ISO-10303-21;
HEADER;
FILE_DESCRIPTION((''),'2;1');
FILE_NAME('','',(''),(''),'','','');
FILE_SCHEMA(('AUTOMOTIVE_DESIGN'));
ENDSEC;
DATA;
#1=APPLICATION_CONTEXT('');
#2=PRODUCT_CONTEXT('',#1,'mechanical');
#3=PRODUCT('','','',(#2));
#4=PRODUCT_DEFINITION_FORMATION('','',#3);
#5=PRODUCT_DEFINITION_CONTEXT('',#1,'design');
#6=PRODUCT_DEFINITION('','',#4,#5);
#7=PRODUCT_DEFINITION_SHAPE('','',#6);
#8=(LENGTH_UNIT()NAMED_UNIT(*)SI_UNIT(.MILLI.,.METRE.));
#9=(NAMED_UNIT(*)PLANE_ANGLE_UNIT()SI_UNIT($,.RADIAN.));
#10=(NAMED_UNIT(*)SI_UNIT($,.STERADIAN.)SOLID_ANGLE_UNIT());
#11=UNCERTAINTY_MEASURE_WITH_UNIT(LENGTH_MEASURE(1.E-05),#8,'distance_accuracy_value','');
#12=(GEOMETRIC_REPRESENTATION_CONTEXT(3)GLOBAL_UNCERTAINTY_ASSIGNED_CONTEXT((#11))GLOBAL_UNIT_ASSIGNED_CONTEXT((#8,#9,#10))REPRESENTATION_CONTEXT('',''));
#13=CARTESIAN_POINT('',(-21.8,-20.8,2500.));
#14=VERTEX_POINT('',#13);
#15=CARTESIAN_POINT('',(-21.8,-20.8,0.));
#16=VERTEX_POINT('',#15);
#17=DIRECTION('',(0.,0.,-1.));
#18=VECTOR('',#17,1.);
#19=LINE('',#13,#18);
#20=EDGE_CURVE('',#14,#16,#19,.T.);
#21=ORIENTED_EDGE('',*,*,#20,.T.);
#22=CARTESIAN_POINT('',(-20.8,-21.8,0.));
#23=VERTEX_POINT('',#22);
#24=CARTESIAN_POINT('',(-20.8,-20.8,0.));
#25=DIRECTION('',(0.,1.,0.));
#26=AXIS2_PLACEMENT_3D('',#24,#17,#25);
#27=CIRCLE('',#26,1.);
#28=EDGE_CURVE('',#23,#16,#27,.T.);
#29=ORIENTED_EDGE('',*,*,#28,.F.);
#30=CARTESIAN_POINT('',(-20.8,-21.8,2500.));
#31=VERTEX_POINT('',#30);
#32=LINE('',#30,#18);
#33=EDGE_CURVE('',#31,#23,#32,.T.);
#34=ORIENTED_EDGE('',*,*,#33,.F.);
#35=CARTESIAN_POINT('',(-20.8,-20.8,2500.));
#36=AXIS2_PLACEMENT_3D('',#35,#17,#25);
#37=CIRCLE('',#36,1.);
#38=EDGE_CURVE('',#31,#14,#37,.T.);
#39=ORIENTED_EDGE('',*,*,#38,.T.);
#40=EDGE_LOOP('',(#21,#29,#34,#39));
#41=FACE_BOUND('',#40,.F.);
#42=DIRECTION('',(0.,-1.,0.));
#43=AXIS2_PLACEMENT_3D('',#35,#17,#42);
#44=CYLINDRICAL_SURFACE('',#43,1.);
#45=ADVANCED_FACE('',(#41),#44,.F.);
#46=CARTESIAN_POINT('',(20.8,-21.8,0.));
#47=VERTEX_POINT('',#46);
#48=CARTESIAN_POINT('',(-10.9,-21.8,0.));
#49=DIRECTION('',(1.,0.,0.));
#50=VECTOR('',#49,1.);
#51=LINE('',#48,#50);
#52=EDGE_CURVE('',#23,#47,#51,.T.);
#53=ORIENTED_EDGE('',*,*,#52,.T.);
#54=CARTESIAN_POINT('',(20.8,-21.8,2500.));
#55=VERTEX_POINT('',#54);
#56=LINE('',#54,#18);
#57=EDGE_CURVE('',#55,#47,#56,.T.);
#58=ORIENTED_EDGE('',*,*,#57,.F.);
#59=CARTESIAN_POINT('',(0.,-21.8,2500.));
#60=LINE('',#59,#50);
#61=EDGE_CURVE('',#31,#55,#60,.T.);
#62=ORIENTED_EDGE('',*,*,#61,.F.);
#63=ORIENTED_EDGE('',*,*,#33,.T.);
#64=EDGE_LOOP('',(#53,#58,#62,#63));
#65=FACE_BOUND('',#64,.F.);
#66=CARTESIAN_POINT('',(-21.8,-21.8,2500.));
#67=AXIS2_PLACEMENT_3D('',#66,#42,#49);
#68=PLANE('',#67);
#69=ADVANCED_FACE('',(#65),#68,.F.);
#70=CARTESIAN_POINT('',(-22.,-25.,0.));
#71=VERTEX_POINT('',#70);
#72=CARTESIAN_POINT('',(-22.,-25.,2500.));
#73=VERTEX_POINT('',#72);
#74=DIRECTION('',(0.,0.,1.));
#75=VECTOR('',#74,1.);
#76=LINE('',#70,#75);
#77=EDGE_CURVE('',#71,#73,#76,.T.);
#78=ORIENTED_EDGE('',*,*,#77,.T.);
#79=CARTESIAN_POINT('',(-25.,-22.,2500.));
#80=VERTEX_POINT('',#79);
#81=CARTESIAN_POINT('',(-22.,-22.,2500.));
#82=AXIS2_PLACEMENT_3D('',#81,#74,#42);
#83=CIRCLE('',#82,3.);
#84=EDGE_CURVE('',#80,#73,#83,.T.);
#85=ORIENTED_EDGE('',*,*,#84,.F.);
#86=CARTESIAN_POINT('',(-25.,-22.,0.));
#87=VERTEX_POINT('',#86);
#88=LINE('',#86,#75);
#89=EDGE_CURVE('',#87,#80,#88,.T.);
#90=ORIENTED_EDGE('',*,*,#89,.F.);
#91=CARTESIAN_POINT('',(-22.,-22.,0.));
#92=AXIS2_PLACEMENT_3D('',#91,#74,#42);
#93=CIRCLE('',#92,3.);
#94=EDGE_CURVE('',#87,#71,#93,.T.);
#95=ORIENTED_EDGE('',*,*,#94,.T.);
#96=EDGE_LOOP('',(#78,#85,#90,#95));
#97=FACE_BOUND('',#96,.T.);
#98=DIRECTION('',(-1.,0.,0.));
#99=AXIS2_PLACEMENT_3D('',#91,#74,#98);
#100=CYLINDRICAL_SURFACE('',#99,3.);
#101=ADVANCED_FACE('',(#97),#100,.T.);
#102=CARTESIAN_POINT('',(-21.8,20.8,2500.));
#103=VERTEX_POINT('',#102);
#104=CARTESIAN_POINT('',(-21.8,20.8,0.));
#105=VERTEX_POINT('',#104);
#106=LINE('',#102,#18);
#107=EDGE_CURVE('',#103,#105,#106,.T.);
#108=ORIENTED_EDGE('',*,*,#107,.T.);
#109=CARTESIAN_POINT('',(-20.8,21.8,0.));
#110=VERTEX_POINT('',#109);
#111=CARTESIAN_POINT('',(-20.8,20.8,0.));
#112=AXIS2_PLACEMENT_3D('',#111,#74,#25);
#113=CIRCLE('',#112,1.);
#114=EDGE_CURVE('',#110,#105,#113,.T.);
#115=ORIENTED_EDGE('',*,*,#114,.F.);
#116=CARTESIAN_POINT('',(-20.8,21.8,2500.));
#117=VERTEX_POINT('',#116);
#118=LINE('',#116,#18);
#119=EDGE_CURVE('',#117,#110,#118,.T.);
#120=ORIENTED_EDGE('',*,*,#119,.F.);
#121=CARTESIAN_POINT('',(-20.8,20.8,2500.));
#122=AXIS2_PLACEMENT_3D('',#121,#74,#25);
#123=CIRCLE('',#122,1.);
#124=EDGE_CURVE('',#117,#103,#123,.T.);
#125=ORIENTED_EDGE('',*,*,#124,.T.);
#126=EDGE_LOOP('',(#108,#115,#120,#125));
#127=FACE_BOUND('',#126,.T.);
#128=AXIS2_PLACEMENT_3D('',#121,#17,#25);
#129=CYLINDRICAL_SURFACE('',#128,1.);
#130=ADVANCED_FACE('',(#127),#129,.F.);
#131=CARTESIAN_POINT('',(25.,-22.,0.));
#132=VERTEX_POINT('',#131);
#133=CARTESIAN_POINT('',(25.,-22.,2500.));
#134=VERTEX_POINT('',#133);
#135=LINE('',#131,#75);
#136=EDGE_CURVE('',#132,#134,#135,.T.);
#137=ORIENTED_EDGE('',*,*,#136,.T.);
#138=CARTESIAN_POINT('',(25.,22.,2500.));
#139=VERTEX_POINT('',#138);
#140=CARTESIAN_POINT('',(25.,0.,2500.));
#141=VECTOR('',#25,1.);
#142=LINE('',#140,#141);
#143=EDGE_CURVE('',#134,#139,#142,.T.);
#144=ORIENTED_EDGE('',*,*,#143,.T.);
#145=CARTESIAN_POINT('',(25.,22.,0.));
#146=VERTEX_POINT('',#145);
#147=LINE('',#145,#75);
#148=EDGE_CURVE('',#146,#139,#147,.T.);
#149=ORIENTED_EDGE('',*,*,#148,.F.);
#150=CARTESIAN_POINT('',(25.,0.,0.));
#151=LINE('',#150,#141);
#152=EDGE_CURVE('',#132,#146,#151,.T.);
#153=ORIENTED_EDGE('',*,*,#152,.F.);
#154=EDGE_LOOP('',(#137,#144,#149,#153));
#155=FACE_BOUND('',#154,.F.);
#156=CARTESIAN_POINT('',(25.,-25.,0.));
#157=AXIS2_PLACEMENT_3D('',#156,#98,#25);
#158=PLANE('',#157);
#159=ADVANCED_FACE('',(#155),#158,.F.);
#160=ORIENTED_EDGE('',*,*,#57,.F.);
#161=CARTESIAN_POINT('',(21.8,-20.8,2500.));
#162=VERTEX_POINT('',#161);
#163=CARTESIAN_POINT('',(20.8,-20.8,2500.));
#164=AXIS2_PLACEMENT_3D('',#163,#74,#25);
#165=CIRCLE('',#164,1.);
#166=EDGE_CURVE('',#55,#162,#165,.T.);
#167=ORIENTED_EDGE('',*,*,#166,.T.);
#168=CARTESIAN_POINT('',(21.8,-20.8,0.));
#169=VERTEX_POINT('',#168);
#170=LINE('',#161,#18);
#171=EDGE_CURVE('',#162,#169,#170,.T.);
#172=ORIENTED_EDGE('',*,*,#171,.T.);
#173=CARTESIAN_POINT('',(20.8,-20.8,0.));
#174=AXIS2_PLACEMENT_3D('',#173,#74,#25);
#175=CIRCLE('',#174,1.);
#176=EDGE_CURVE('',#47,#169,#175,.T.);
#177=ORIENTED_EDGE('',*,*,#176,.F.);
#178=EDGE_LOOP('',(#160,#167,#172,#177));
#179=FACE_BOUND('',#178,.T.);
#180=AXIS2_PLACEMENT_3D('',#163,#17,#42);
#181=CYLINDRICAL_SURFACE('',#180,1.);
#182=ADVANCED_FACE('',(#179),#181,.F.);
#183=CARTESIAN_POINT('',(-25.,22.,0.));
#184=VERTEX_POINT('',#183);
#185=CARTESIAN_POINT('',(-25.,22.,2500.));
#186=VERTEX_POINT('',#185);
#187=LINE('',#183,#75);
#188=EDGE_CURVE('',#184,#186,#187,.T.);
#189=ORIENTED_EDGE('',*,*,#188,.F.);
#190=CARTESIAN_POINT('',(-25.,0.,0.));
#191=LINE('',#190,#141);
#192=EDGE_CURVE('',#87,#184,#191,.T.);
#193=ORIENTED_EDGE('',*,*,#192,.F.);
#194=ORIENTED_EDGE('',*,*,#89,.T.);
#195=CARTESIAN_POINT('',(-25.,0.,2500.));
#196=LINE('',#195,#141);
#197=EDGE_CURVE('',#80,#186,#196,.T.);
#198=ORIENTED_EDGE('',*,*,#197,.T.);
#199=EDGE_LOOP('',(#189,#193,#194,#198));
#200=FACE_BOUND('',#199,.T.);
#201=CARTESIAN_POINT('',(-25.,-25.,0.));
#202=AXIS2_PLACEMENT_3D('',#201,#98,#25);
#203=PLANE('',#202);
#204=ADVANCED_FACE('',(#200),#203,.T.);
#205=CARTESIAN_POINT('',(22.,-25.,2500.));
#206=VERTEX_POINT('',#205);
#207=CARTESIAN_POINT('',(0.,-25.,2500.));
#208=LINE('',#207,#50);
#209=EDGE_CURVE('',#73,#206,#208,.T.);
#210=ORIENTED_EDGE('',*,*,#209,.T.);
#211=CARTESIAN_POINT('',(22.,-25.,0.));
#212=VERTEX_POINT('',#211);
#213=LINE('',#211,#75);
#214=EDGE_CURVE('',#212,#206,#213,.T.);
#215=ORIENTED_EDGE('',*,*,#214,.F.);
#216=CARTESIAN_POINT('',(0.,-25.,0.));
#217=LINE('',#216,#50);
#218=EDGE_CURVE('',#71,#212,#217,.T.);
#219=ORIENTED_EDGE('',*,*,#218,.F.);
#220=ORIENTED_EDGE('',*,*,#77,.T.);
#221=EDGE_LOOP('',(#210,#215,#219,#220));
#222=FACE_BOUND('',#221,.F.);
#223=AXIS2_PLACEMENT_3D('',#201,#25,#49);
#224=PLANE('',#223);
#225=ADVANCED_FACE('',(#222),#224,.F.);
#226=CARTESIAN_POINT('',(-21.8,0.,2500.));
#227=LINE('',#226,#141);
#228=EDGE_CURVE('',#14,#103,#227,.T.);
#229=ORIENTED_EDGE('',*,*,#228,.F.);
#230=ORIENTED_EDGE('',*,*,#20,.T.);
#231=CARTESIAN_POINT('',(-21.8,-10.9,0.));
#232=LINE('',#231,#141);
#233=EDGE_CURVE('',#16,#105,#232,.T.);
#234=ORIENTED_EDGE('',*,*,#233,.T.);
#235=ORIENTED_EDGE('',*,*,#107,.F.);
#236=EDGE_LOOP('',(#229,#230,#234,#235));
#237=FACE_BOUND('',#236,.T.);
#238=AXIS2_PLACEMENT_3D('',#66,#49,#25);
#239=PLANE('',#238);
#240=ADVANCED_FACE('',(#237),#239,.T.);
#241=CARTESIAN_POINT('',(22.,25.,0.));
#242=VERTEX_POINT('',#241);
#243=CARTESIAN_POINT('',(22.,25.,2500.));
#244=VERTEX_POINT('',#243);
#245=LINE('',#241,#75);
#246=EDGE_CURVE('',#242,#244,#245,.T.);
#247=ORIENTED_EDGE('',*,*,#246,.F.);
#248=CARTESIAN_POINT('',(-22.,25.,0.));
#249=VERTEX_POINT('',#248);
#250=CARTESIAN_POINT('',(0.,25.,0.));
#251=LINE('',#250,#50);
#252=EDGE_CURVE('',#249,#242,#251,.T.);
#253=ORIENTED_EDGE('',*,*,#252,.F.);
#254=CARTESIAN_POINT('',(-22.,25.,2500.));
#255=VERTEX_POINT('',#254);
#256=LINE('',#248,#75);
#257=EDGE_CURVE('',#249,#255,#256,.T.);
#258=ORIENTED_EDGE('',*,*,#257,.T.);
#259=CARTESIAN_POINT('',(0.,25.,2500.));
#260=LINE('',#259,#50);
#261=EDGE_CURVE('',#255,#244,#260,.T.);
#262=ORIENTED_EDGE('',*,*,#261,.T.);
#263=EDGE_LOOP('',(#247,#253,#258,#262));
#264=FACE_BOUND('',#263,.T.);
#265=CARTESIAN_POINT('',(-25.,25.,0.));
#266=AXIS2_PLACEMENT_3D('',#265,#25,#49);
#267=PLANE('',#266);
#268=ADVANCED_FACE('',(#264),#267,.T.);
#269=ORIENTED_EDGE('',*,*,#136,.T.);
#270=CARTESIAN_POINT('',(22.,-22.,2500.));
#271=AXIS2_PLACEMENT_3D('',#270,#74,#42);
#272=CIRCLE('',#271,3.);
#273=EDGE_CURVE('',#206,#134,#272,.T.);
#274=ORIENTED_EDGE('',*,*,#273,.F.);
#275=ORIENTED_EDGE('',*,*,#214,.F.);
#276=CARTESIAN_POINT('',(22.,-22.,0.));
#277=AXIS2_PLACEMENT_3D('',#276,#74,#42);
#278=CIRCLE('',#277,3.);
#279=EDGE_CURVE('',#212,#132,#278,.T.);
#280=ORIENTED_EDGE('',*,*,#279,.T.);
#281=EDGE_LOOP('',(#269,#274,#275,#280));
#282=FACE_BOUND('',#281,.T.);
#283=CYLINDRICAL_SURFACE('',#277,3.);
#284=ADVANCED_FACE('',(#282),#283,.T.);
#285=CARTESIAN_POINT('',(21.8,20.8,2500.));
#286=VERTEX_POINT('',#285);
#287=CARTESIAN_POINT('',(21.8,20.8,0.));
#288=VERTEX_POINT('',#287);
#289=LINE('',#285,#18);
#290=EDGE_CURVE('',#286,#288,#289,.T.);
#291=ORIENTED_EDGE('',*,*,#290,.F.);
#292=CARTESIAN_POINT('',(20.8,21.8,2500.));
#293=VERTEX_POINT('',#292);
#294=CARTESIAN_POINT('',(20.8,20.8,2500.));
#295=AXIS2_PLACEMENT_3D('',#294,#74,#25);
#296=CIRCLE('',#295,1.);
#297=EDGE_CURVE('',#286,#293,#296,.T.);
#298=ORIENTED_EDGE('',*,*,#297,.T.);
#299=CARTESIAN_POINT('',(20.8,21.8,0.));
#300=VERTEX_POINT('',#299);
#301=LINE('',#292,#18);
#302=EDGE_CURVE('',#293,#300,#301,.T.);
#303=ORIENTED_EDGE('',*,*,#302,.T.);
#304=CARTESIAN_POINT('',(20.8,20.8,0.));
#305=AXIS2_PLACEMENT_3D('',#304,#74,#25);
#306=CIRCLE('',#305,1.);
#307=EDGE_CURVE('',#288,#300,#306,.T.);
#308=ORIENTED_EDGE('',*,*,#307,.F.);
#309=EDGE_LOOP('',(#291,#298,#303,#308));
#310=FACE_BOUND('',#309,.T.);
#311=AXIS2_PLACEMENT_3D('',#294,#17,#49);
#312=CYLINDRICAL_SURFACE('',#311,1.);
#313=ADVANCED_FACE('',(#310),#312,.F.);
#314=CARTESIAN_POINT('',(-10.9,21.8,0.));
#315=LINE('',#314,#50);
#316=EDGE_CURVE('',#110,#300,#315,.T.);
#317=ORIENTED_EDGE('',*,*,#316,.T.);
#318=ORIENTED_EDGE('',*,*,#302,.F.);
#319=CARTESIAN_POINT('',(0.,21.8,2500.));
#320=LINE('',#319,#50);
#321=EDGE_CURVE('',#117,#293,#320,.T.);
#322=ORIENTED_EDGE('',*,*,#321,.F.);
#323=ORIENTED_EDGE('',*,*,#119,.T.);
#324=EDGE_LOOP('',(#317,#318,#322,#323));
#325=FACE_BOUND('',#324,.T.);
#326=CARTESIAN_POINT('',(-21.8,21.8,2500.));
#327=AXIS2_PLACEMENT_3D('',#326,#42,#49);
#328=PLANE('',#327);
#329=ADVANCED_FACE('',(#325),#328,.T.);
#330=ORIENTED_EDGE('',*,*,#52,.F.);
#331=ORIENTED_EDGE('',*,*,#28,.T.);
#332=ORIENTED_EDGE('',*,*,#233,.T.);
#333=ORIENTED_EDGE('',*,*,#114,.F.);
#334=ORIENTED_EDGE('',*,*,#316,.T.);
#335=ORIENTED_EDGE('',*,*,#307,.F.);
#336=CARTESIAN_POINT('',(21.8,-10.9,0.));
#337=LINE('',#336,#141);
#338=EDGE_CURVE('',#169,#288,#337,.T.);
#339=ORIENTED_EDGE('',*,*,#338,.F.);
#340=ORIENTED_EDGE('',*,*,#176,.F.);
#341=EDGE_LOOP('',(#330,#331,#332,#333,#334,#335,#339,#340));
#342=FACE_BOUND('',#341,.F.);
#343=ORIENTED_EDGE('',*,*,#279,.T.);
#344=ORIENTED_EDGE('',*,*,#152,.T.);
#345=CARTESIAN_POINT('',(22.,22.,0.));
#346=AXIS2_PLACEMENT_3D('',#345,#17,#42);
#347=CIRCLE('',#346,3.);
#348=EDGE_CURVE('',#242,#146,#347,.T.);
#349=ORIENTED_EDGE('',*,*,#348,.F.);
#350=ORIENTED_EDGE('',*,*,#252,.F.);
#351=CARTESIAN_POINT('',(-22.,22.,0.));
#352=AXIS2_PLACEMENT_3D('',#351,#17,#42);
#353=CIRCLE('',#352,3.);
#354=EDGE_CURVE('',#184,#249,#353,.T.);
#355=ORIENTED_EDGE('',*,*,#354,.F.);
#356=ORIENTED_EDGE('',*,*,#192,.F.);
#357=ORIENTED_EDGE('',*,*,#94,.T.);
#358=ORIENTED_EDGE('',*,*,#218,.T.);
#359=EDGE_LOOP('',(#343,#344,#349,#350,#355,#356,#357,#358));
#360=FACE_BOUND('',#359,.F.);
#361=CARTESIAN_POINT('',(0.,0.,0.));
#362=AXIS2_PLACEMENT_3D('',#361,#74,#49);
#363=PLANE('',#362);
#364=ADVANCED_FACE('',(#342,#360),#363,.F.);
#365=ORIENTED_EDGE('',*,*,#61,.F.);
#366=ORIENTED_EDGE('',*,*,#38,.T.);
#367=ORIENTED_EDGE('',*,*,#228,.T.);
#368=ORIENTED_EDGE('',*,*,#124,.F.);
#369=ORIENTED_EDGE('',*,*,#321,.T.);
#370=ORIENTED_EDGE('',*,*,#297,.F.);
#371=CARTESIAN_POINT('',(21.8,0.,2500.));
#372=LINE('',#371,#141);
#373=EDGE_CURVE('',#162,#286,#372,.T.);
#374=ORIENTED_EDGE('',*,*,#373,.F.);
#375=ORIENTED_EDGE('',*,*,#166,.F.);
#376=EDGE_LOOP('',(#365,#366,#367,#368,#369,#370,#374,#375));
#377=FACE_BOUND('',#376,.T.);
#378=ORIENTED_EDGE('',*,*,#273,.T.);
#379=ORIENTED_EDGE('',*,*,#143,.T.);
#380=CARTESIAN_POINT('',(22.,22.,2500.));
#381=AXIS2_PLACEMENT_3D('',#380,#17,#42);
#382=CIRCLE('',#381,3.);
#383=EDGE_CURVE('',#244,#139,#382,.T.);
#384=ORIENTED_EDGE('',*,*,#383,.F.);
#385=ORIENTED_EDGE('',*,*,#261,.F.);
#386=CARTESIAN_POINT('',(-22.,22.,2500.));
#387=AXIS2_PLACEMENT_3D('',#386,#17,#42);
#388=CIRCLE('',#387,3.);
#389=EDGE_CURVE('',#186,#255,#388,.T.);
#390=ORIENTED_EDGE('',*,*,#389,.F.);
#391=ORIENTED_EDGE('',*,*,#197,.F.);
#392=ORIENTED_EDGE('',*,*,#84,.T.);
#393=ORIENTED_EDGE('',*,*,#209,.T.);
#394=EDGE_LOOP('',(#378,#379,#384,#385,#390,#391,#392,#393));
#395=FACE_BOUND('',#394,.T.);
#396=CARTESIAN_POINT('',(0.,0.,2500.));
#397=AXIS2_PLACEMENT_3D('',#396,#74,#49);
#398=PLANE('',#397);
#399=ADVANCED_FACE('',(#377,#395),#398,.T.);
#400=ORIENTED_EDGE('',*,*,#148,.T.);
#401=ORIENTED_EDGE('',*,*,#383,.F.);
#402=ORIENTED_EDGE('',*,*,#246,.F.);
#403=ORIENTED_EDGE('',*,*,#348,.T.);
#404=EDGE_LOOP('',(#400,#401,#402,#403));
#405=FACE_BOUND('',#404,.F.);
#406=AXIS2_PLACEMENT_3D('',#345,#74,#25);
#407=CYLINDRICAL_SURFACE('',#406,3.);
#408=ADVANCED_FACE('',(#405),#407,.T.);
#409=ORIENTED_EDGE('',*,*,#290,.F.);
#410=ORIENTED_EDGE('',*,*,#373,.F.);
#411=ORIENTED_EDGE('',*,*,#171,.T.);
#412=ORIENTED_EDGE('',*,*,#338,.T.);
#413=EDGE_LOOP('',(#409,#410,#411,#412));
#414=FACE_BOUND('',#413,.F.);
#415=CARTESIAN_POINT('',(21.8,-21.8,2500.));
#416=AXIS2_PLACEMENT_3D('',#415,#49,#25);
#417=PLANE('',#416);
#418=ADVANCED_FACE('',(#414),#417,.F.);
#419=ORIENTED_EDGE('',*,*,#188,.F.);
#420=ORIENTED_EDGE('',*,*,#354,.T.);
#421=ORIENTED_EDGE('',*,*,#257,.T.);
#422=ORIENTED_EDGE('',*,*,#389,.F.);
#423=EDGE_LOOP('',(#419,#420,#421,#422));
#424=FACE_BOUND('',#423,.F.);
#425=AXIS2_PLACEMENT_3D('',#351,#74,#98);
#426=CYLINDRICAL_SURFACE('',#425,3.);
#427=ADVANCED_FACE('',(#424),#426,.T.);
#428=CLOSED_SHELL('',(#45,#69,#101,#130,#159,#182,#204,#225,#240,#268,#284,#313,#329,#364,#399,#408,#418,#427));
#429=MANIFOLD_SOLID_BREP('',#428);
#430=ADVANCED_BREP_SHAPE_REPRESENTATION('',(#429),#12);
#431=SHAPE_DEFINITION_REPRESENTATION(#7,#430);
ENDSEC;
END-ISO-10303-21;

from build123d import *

# Parameters (mm, degrees)
F0_W     = 50
F0_H     = 50
F1_DEPTH = 2500
F2_W     = 43.6
F2_H     = 43.6
F3_DEPTH = 2500.001
F4_R     = 3
F5_R     = 1


with BuildPart() as f1:
    # F0 (on Top) → F1 (new body)
    with BuildSketch(Plane.XY):
        Rectangle(F0_W, F0_H)
    extrude(amount=F1_DEPTH)

    # F2 (on face) → F3 (cut, through all)
    with BuildSketch(Plane.XY.offset(2500)):
        Rectangle(F2_W, F2_H)
    extrude(amount=-F3_DEPTH, mode=Mode.SUBTRACT)

    # F4
    f4_edges = [f1.edges().sort_by_distance(p)[0] for p in [
        (25, -25, 1250),
        (25, 25, 1250),
        (-25, -25, 1250),
        (-25, 25, 1250),
    ]]
    fillet(f4_edges, radius=F4_R)

    # F5
    f5_edges = [f1.edges().sort_by_distance(p)[0] for p in [
        (21.8, -21.8, 1250),
        (-21.8, 21.8, 1250),
        (21.8, 21.8, 1250),
        (-21.8, -21.8, 1250),
    ]]
    fillet(f5_edges, radius=F5_R)


solid = f1.part
